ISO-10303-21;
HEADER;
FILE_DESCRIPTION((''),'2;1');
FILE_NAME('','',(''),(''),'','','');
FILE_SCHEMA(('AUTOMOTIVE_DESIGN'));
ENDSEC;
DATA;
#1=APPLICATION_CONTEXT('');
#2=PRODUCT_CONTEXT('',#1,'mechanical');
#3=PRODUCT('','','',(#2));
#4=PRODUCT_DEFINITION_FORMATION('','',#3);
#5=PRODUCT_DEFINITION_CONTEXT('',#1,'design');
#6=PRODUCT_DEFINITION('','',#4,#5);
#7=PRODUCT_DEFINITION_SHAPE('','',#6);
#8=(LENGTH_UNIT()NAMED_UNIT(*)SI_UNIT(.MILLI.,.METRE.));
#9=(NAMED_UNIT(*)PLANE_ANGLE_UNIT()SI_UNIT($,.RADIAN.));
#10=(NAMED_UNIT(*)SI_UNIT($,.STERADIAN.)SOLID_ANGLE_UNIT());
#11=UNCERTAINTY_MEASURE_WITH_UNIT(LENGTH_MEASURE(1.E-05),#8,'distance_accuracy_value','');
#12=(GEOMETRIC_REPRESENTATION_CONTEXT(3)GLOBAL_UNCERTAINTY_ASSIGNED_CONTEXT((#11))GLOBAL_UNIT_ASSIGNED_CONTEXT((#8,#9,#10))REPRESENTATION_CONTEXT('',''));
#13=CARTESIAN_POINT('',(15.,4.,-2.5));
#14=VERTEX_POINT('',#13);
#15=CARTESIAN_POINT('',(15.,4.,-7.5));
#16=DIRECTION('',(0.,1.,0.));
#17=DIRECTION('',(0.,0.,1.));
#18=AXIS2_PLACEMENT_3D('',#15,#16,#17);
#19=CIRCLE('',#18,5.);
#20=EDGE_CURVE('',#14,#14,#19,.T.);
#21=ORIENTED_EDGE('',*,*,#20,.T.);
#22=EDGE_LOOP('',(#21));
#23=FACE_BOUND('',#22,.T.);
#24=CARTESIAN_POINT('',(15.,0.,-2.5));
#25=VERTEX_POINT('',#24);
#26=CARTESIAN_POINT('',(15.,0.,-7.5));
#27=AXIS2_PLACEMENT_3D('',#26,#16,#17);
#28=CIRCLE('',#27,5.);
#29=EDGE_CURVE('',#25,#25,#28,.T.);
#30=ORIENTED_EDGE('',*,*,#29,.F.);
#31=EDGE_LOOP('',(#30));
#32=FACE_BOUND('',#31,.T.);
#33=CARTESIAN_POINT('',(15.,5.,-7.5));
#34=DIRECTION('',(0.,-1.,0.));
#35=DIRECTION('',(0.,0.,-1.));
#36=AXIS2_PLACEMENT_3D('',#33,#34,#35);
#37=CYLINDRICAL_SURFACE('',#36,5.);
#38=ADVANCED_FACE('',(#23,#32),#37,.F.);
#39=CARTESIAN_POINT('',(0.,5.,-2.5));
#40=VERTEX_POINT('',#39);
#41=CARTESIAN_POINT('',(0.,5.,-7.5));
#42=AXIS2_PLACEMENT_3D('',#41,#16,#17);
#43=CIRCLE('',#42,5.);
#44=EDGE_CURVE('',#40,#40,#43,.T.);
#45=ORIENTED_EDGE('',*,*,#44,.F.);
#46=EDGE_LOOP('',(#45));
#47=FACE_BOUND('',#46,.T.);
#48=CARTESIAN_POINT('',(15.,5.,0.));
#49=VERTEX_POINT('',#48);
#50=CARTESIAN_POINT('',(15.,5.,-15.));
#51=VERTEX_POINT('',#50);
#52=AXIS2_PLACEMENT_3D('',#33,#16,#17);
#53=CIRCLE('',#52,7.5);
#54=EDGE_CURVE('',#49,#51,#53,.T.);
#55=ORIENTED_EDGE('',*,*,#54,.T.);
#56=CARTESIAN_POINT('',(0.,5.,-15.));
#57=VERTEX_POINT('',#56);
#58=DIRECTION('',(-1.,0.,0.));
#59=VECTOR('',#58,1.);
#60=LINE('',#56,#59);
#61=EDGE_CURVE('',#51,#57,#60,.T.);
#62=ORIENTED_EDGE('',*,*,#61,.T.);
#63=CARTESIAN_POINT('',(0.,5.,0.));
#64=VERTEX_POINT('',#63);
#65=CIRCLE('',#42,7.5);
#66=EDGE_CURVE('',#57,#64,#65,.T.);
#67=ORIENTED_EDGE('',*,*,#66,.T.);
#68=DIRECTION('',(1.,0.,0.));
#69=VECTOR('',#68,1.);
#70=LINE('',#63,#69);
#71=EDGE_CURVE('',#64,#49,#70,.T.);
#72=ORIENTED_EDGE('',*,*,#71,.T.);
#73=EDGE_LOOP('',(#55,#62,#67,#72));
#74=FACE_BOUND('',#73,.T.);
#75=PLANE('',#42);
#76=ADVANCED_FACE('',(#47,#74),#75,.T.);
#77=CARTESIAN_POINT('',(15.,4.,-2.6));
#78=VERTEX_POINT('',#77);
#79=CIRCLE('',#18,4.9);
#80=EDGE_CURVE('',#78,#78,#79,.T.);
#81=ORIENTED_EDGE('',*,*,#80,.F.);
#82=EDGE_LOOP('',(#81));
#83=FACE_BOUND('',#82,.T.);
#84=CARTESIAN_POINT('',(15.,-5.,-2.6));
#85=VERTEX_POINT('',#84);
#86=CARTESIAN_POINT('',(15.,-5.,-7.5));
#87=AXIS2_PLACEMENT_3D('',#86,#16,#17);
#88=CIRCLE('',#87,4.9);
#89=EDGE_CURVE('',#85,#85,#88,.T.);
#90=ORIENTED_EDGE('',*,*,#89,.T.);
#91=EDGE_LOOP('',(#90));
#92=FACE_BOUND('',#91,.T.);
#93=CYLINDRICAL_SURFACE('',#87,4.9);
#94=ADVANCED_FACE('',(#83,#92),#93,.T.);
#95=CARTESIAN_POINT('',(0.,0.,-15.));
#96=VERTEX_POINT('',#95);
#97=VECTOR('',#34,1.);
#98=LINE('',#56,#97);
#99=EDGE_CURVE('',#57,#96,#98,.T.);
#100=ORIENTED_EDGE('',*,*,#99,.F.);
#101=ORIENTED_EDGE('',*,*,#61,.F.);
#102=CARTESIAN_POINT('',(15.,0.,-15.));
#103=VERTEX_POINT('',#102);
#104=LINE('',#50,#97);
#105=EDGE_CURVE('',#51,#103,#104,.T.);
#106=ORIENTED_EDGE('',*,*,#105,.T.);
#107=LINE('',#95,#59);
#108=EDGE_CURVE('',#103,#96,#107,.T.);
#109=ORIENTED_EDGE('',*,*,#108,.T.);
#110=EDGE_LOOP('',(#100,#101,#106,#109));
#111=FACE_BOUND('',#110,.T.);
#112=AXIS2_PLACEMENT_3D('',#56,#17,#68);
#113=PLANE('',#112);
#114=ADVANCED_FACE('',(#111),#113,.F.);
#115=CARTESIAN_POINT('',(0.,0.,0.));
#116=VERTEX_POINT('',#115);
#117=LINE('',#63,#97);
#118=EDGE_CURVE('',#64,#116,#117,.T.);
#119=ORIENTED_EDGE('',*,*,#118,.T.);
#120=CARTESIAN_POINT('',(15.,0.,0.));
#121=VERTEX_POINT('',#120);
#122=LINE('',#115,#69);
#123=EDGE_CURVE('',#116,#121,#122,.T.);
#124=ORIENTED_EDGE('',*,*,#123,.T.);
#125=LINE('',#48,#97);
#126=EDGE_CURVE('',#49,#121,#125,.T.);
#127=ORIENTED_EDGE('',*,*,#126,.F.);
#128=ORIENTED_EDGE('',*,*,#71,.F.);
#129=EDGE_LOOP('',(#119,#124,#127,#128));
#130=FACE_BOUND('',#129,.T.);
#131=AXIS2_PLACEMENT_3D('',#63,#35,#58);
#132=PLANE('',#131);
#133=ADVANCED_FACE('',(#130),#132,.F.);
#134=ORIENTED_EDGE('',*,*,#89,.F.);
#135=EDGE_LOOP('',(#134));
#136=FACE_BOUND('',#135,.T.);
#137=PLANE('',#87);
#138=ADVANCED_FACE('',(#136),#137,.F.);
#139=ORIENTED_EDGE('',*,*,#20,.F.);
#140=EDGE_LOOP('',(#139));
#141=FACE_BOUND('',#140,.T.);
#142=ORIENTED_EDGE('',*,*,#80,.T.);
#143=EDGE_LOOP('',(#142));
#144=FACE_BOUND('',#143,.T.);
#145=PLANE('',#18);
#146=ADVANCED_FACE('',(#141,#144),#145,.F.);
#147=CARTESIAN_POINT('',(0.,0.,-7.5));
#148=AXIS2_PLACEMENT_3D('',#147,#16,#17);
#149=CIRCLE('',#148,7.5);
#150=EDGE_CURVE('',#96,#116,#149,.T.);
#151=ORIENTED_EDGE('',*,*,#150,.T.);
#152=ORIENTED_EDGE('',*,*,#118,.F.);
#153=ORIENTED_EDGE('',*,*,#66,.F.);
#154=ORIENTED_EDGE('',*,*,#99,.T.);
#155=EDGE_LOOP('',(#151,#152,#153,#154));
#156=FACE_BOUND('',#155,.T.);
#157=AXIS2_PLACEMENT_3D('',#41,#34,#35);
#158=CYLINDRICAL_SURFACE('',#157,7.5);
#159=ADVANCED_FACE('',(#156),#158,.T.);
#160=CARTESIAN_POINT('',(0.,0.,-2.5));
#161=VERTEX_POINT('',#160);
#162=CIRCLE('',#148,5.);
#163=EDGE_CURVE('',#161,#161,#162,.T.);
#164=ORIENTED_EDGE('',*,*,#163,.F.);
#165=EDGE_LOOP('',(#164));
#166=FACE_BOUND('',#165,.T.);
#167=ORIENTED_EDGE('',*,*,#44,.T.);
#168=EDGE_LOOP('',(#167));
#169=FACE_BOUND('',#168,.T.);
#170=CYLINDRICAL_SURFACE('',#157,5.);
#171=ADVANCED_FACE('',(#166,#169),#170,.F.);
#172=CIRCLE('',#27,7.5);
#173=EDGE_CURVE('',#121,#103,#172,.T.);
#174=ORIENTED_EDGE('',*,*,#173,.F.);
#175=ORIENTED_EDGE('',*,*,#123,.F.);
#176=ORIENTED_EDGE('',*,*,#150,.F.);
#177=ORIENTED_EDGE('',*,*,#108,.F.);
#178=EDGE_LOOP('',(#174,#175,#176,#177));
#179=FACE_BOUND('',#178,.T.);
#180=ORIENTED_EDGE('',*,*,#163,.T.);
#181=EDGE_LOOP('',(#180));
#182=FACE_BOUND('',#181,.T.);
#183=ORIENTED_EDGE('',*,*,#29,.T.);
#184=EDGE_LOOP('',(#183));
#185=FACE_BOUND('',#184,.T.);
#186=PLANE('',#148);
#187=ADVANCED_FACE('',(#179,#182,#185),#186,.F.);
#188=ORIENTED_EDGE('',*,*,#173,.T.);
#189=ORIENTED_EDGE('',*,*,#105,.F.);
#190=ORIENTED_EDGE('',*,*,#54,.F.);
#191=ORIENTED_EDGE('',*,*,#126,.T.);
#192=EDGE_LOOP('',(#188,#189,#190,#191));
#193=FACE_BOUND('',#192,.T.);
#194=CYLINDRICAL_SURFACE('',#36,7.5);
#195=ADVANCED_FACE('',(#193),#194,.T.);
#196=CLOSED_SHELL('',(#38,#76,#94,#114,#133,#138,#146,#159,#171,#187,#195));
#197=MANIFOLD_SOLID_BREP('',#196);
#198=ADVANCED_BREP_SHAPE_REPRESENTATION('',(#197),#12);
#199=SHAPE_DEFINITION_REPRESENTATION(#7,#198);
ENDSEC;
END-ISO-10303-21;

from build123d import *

# Parameters (mm, degrees)
SKETCH1_R           = 5
BOSS_EXTRUDE1_DEPTH = 5
SKETCH2_R           = 4.9
BOSS_EXTRUDE2_DEPTH = 10
BOSS_EXTRUDE3_START = -1
SKETCH4_R           = 5
BOSS_EXTRUDE3_DEPTH = 1


with BuildPart() as part:
    # Sketch1 → Boss-Extrude1 (new body)
    with BuildSketch(Plane(origin=(0, 0, 0), x_dir=(1, 0, 0), z_dir=(0, 1, 0))):
        with BuildLine():
            Line((0, 0), (15, 0))
            ThreePointArc((15, 0), (22.5, 7.5), (15, 15))
            Line((15, 15), (0, 15))
            ThreePointArc((0, 15), (-7.5, 7.5), (0, 0))
        make_face()
        with Locations(Location((0, 7.5, 0), (0, 0, 270))):
            Circle(SKETCH1_R, mode=Mode.SUBTRACT)
        with Locations(Location((15, 7.5, 0), (0, 0, 270))):
            Circle(SKETCH1_R, mode=Mode.SUBTRACT)
    extrude(amount=BOSS_EXTRUDE1_DEPTH)



with BuildPart() as body_2:
    # Sketch2 → Boss-Extrude2 (new body)
    with BuildSketch(Plane(origin=(0, 5, 0), x_dir=(1, 0, 0), z_dir=(0, 1, 0))):
        with Locations(Location((15, 7.5, 0), (0, 0, 270))):
            Circle(SKETCH2_R)
    extrude(amount=-BOSS_EXTRUDE2_DEPTH)


with BuildPart() as part_1:
    add(part.part)

    add(body_2.part)  # Boss-Extrude3 merges body 2
    # Sketch4 → Boss-Extrude3 (add)
    with BuildSketch(Plane(origin=(0, 5, 0), x_dir=(-1, 0, 0), z_dir=(0, 1, 0)).offset(BOSS_EXTRUDE3_START)):
        with Locations(Location((-15, -7.5, 0), (0, 0, 90))):
            Circle(SKETCH4_R)
    extrude(amount=BOSS_EXTRUDE3_DEPTH)


solid = part_1.part
